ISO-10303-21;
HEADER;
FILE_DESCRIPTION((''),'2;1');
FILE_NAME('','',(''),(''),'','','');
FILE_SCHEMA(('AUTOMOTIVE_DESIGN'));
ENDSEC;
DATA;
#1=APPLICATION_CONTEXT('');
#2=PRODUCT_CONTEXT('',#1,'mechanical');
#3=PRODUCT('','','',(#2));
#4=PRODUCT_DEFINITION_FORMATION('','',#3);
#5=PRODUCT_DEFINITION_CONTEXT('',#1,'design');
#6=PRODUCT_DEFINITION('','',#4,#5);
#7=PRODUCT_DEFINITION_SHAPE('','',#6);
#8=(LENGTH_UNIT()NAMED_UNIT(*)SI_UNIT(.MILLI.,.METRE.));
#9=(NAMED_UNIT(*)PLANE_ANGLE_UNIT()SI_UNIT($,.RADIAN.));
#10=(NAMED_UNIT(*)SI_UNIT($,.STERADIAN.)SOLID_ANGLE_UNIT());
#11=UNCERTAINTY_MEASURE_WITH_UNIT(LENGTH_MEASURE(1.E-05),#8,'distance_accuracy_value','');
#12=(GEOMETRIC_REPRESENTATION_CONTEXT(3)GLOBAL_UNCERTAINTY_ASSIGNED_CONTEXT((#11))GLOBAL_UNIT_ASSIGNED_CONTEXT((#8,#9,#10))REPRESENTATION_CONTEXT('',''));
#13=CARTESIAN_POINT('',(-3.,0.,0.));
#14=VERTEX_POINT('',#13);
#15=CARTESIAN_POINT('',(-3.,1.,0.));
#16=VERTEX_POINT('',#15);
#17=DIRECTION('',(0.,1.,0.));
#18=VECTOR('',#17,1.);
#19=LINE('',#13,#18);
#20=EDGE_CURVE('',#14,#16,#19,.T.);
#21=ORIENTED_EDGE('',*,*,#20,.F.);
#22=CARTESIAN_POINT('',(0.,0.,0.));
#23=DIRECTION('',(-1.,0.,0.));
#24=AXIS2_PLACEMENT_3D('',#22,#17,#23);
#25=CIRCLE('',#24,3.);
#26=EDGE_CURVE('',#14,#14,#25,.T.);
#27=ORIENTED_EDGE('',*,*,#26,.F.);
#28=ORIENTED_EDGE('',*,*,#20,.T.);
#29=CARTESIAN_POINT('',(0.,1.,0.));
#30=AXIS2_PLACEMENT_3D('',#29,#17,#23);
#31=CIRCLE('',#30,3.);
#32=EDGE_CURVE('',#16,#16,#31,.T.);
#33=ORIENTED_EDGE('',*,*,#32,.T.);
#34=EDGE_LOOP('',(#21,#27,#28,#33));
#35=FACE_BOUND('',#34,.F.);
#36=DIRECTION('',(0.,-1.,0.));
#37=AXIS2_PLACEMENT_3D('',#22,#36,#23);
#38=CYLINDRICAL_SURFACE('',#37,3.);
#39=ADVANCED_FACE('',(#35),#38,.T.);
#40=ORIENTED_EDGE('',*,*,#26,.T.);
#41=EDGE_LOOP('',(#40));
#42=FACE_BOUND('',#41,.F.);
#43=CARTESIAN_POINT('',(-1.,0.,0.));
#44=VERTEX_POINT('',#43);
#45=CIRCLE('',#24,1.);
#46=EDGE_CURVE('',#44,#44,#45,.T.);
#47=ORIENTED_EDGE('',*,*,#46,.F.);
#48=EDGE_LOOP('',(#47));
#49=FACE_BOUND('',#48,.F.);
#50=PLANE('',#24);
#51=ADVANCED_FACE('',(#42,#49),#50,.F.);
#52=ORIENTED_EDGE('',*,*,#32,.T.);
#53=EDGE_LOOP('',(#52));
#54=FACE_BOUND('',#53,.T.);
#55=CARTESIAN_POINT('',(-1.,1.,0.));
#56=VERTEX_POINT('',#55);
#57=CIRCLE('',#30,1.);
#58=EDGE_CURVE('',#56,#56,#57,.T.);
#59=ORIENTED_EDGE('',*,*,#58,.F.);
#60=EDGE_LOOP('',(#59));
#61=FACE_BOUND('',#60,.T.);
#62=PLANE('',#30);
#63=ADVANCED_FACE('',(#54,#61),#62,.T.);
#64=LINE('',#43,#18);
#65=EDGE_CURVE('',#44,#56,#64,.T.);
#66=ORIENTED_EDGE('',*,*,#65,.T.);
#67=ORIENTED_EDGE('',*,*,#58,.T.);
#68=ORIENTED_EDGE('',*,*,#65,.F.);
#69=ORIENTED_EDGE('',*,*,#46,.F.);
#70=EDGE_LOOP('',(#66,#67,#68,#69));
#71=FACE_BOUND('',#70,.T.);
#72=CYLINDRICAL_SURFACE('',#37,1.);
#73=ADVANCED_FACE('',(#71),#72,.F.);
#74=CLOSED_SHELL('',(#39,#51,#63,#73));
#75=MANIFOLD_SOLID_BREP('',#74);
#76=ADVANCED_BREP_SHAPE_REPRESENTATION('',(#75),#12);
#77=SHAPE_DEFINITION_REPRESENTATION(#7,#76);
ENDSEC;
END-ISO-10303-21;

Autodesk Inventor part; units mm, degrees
ref_plane "YZ Plane" through (0, 0, 0) normal (1, 0, 0) x (0, 1, 0)
ref_plane "XZ Plane" through (0, 0, 0) normal (0, 1, 0) x (-1, 0, 0)
ref_plane "XY Plane" through (0, 0, 0) normal (0, 0, 1) x (1, 0, 0)
sketch "Sketch1" plane through (0, 0, 0) normal (0, 1, 0) x (-1, 0, 0)
  circle A0 centre (0, 0) radius 3
  circle A1 centre (0, 0) radius 1
  dimension "d2" = 6
  dimension "d3" = 2
extrude "Extrusion1" add sketch "Sketch1" along normal blind 1
properties part number "8mm_washer_1mm" material "Aluminum 6061"
